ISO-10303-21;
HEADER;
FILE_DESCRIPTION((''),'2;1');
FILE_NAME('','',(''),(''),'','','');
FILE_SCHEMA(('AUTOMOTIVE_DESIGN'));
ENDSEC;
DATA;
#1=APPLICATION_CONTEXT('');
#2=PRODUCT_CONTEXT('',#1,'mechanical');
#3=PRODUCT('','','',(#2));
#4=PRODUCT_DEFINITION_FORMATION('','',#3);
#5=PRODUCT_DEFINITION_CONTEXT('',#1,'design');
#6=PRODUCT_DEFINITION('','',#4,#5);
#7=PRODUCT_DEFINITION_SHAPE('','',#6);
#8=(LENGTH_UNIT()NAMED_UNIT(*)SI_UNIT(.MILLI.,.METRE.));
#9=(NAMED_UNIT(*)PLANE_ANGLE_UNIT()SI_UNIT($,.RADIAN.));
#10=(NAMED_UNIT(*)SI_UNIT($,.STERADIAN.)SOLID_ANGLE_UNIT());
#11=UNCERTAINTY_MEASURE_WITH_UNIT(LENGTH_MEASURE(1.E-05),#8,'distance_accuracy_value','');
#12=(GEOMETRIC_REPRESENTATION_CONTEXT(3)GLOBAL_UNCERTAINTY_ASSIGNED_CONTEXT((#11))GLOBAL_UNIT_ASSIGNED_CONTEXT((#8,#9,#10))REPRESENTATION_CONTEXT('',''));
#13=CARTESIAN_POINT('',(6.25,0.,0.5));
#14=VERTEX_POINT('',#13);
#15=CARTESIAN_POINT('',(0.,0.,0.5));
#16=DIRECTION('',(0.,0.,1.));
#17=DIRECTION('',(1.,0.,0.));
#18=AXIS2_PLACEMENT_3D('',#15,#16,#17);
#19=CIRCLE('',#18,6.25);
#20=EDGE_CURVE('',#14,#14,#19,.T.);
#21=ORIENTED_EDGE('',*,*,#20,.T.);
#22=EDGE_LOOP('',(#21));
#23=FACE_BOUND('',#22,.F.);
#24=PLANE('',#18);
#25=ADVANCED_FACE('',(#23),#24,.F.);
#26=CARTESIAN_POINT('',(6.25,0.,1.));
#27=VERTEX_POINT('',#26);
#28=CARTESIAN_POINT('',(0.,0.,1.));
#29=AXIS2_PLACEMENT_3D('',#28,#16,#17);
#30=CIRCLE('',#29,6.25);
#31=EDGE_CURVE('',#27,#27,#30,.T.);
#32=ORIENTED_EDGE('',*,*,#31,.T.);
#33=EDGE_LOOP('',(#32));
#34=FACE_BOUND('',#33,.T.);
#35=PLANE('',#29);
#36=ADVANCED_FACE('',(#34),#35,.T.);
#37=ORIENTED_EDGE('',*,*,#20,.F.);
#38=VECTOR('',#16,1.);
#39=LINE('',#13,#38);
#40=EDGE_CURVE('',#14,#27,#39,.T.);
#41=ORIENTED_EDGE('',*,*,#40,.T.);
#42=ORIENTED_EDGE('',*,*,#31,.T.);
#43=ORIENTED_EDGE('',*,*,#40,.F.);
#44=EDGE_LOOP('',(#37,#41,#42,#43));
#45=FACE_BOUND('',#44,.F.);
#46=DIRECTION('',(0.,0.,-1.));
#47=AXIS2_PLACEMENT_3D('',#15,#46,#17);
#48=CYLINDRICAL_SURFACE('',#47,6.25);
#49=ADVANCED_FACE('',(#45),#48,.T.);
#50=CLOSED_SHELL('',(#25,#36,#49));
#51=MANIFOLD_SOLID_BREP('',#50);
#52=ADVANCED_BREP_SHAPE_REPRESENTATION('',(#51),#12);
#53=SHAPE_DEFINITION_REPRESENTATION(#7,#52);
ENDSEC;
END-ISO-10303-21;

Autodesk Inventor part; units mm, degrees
ref_plane "YZ Plane" through (0, 0, 0) normal (1, 0, 0) x (0, 1, 0)
ref_plane "XZ Plane" through (0, 0, 0) normal (0, 1, 0) x (-1, 0, 0)
ref_plane "XY Plane" through (0, 0, 0) normal (0, 0, 1) x (1, 0, 0)
sketch "Sketch1" plane through (0, 0, 0) normal (0, 0, 1) x (1, 0, 0)
  point P0 (0, 0)
ref_plane "Work Plane1" through (0, 0, 0.5) normal (0, 0, 1) x (1, 0, 0)
sketch "Sketch2" plane through (0, 0, 0.5) normal (0, 0, 1) x (1, 0, 0)
  circle A0 centre (0, 0) radius 6.25
  dimension "d0" = 12.5
extrude "Extrusion1" add sketch "Sketch2" along normal blind 0.5
properties part number "staklo"
